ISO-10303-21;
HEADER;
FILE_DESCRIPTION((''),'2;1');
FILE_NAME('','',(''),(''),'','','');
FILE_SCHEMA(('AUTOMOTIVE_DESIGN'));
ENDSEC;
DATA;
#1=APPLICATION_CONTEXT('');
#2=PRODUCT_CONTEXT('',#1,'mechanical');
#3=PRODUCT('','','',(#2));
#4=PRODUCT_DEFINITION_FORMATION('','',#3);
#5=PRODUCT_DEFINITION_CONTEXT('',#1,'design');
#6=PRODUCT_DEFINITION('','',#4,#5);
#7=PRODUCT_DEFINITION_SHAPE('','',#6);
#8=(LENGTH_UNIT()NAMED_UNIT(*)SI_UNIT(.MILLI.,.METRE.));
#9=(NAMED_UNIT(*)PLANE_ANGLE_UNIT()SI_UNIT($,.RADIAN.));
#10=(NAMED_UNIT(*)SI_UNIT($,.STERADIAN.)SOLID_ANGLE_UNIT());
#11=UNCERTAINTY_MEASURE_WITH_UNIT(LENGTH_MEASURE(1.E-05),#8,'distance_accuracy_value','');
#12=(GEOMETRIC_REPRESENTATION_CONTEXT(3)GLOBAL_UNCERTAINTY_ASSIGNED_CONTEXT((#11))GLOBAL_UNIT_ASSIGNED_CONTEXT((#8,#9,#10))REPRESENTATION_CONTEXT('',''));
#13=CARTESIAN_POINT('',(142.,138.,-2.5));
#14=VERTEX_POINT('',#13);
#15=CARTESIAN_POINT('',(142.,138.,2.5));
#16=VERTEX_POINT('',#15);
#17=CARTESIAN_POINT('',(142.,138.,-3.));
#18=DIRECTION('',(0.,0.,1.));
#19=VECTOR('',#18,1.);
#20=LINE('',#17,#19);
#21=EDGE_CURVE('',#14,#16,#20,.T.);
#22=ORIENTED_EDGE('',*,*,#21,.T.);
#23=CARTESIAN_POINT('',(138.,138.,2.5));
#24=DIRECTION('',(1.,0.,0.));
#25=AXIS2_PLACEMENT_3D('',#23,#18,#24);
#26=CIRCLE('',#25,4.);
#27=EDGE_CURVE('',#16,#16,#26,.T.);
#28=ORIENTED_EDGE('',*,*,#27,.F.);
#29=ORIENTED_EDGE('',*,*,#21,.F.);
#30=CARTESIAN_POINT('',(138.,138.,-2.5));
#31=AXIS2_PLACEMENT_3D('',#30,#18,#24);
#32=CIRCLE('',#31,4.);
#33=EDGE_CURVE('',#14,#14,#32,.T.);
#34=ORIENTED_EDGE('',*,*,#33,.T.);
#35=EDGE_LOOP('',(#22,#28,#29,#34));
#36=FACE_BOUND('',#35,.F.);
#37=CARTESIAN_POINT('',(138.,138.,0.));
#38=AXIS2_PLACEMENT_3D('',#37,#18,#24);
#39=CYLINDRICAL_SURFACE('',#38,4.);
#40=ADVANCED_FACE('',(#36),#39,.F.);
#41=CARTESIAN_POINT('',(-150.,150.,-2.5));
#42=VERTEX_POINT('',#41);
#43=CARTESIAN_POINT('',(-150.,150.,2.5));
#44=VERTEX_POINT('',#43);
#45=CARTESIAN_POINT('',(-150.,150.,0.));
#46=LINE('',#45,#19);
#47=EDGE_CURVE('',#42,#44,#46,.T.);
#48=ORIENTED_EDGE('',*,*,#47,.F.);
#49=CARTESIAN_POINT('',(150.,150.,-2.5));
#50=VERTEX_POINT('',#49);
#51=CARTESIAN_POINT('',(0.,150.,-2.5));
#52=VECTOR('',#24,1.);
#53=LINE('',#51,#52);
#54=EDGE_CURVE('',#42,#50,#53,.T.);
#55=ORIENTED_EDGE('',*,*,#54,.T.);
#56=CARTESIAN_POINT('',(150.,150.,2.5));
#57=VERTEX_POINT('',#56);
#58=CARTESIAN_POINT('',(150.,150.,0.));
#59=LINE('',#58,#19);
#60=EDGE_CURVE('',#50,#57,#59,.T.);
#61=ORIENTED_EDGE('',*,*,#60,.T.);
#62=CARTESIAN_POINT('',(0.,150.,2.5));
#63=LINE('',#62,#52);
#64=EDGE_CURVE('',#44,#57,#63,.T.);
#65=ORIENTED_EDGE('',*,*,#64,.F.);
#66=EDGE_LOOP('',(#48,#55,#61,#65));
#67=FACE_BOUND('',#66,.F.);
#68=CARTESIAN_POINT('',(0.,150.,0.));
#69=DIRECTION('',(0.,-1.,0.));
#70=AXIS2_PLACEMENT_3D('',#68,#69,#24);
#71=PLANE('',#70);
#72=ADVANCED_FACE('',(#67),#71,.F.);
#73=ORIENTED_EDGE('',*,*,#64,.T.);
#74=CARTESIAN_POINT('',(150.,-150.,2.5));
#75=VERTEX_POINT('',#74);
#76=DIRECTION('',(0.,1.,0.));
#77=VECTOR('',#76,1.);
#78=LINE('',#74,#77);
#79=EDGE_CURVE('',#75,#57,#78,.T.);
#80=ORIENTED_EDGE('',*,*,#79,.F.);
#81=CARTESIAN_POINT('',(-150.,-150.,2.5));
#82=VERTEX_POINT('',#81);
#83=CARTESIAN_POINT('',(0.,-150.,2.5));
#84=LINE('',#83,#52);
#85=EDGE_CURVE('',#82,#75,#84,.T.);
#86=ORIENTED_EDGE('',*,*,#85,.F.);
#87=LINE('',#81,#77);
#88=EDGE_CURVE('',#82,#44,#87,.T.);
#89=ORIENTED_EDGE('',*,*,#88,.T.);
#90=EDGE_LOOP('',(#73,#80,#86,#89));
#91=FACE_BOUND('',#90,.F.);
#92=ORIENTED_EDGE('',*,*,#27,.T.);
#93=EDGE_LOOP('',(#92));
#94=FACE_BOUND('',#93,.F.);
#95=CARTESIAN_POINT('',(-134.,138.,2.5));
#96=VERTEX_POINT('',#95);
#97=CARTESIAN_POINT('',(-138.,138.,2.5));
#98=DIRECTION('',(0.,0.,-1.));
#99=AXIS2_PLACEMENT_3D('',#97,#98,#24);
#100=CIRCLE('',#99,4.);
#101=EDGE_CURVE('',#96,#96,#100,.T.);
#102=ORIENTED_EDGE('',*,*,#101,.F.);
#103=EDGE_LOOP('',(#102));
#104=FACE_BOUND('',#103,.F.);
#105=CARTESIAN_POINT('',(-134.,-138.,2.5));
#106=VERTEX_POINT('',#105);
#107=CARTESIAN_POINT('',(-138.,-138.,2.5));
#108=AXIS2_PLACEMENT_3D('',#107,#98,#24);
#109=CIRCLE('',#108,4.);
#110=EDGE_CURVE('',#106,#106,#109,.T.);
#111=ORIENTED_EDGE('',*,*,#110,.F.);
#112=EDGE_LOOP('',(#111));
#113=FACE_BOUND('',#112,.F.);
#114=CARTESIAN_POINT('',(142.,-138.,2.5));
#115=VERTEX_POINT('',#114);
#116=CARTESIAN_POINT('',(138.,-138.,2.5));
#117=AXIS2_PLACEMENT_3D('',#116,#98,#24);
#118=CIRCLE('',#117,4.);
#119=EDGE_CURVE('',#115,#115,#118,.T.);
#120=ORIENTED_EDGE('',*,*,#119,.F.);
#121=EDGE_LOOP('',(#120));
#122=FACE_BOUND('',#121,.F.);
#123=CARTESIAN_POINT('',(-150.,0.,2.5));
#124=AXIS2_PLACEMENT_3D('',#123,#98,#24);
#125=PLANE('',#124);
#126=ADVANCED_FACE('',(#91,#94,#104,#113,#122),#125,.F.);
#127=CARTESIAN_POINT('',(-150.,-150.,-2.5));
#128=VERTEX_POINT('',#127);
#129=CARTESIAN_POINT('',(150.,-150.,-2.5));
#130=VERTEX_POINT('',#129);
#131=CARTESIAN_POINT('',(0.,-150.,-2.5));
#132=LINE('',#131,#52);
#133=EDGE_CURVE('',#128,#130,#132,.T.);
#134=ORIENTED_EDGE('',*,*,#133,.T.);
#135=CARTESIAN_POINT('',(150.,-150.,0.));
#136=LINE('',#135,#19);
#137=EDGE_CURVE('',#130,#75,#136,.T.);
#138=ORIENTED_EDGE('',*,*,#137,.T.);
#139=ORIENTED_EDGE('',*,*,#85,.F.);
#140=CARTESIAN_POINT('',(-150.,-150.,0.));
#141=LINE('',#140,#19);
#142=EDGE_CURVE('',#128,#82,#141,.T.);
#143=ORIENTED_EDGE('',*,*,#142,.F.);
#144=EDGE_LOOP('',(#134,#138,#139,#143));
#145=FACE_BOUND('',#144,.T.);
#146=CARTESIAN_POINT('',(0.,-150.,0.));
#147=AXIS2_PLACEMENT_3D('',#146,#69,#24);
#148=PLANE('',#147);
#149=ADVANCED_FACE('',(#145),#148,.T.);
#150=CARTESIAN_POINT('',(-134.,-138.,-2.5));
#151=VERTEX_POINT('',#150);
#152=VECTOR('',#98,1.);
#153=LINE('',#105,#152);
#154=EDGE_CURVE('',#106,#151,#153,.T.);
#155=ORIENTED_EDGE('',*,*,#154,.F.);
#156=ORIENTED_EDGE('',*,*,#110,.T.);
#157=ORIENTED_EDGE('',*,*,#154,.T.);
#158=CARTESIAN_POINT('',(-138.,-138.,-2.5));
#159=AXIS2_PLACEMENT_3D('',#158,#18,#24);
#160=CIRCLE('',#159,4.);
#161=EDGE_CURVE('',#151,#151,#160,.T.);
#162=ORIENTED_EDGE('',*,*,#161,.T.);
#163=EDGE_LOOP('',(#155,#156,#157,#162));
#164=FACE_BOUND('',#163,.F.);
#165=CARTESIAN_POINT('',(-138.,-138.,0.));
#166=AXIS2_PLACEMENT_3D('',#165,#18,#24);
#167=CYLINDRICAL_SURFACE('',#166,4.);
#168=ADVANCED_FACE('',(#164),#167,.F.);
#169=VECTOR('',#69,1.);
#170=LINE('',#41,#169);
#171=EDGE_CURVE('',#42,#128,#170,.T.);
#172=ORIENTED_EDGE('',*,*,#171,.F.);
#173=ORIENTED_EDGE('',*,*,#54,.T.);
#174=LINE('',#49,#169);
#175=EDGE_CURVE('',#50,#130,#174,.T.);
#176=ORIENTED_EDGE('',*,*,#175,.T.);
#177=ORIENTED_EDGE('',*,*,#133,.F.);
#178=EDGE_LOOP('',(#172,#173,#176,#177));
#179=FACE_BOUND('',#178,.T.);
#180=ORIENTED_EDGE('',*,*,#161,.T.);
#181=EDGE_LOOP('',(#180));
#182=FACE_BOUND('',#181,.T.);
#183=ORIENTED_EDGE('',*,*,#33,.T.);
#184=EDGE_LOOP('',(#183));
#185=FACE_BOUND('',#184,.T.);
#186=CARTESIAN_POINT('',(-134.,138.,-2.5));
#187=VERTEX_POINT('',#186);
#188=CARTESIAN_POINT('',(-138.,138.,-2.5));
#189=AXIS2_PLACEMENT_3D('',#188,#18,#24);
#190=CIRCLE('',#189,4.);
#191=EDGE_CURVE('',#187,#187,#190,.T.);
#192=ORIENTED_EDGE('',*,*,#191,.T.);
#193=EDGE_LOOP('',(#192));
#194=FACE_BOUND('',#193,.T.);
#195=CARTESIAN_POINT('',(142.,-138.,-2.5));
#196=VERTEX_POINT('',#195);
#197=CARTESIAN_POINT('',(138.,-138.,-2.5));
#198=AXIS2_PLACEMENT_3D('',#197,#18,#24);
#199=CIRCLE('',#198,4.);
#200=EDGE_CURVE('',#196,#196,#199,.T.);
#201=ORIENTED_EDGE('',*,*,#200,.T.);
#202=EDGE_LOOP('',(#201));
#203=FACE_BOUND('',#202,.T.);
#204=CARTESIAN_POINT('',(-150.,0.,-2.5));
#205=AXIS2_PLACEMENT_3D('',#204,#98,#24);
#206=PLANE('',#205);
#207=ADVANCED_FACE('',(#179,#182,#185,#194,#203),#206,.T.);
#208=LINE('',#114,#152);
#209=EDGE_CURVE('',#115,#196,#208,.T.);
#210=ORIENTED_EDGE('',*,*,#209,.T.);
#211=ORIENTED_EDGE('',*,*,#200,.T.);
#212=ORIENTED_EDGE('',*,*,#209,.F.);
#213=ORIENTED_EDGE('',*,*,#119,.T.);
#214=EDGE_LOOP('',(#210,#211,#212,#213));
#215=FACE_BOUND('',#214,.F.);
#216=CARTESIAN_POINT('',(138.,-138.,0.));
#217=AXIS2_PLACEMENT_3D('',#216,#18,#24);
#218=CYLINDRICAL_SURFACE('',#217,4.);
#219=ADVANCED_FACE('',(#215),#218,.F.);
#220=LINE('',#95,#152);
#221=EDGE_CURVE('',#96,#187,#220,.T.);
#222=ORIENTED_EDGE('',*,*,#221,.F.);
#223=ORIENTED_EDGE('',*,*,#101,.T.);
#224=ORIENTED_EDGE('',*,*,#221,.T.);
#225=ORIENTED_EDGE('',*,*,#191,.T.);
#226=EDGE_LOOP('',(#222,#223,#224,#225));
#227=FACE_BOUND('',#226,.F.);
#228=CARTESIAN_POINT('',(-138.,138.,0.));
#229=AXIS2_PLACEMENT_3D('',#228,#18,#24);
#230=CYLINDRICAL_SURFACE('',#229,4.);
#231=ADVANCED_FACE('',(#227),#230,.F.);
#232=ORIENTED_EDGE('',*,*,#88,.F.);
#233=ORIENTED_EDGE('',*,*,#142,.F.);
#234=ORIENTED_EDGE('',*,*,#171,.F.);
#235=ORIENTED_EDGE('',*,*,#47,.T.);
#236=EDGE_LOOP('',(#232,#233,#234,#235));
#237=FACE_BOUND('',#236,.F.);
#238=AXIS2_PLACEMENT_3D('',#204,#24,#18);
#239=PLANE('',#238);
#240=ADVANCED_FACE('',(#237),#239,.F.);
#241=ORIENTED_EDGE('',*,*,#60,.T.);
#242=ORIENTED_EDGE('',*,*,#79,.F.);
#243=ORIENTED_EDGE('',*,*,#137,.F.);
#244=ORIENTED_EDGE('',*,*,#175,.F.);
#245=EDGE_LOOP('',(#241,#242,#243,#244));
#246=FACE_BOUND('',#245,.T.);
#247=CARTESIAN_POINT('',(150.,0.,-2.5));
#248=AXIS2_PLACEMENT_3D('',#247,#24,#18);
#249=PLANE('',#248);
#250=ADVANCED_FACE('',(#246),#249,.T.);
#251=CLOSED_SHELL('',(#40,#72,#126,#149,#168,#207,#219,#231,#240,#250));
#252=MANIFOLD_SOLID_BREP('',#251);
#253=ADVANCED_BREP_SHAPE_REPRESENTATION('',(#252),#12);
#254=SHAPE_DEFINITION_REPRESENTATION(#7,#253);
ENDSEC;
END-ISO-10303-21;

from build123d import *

# Parameters (mm, degrees)
F0_W     = 300
F0_H     = 5
F1_DEPTH = 150
F2_R     = 4
F3_DEPTH = 3


with BuildPart() as f1:
    # F0 (on Front) → F1 (new body, symmetric)
    with BuildSketch(Plane.XZ):
        Rectangle(F0_W, F0_H)
    extrude(amount=F1_DEPTH, both=True)

    # F2 (on Top) → F3 (cut, symmetric)
    with BuildSketch(Plane.XY):
        with Locations((138, -138)):
            Circle(F2_R)
        with Locations((-138, -138)):
            Circle(F2_R)
        with Locations((-138, 138)):
            Circle(F2_R)
        with Locations((138, 138)):
            Circle(F2_R)
    extrude(amount=F3_DEPTH, both=True, mode=Mode.SUBTRACT)


solid = f1.part
